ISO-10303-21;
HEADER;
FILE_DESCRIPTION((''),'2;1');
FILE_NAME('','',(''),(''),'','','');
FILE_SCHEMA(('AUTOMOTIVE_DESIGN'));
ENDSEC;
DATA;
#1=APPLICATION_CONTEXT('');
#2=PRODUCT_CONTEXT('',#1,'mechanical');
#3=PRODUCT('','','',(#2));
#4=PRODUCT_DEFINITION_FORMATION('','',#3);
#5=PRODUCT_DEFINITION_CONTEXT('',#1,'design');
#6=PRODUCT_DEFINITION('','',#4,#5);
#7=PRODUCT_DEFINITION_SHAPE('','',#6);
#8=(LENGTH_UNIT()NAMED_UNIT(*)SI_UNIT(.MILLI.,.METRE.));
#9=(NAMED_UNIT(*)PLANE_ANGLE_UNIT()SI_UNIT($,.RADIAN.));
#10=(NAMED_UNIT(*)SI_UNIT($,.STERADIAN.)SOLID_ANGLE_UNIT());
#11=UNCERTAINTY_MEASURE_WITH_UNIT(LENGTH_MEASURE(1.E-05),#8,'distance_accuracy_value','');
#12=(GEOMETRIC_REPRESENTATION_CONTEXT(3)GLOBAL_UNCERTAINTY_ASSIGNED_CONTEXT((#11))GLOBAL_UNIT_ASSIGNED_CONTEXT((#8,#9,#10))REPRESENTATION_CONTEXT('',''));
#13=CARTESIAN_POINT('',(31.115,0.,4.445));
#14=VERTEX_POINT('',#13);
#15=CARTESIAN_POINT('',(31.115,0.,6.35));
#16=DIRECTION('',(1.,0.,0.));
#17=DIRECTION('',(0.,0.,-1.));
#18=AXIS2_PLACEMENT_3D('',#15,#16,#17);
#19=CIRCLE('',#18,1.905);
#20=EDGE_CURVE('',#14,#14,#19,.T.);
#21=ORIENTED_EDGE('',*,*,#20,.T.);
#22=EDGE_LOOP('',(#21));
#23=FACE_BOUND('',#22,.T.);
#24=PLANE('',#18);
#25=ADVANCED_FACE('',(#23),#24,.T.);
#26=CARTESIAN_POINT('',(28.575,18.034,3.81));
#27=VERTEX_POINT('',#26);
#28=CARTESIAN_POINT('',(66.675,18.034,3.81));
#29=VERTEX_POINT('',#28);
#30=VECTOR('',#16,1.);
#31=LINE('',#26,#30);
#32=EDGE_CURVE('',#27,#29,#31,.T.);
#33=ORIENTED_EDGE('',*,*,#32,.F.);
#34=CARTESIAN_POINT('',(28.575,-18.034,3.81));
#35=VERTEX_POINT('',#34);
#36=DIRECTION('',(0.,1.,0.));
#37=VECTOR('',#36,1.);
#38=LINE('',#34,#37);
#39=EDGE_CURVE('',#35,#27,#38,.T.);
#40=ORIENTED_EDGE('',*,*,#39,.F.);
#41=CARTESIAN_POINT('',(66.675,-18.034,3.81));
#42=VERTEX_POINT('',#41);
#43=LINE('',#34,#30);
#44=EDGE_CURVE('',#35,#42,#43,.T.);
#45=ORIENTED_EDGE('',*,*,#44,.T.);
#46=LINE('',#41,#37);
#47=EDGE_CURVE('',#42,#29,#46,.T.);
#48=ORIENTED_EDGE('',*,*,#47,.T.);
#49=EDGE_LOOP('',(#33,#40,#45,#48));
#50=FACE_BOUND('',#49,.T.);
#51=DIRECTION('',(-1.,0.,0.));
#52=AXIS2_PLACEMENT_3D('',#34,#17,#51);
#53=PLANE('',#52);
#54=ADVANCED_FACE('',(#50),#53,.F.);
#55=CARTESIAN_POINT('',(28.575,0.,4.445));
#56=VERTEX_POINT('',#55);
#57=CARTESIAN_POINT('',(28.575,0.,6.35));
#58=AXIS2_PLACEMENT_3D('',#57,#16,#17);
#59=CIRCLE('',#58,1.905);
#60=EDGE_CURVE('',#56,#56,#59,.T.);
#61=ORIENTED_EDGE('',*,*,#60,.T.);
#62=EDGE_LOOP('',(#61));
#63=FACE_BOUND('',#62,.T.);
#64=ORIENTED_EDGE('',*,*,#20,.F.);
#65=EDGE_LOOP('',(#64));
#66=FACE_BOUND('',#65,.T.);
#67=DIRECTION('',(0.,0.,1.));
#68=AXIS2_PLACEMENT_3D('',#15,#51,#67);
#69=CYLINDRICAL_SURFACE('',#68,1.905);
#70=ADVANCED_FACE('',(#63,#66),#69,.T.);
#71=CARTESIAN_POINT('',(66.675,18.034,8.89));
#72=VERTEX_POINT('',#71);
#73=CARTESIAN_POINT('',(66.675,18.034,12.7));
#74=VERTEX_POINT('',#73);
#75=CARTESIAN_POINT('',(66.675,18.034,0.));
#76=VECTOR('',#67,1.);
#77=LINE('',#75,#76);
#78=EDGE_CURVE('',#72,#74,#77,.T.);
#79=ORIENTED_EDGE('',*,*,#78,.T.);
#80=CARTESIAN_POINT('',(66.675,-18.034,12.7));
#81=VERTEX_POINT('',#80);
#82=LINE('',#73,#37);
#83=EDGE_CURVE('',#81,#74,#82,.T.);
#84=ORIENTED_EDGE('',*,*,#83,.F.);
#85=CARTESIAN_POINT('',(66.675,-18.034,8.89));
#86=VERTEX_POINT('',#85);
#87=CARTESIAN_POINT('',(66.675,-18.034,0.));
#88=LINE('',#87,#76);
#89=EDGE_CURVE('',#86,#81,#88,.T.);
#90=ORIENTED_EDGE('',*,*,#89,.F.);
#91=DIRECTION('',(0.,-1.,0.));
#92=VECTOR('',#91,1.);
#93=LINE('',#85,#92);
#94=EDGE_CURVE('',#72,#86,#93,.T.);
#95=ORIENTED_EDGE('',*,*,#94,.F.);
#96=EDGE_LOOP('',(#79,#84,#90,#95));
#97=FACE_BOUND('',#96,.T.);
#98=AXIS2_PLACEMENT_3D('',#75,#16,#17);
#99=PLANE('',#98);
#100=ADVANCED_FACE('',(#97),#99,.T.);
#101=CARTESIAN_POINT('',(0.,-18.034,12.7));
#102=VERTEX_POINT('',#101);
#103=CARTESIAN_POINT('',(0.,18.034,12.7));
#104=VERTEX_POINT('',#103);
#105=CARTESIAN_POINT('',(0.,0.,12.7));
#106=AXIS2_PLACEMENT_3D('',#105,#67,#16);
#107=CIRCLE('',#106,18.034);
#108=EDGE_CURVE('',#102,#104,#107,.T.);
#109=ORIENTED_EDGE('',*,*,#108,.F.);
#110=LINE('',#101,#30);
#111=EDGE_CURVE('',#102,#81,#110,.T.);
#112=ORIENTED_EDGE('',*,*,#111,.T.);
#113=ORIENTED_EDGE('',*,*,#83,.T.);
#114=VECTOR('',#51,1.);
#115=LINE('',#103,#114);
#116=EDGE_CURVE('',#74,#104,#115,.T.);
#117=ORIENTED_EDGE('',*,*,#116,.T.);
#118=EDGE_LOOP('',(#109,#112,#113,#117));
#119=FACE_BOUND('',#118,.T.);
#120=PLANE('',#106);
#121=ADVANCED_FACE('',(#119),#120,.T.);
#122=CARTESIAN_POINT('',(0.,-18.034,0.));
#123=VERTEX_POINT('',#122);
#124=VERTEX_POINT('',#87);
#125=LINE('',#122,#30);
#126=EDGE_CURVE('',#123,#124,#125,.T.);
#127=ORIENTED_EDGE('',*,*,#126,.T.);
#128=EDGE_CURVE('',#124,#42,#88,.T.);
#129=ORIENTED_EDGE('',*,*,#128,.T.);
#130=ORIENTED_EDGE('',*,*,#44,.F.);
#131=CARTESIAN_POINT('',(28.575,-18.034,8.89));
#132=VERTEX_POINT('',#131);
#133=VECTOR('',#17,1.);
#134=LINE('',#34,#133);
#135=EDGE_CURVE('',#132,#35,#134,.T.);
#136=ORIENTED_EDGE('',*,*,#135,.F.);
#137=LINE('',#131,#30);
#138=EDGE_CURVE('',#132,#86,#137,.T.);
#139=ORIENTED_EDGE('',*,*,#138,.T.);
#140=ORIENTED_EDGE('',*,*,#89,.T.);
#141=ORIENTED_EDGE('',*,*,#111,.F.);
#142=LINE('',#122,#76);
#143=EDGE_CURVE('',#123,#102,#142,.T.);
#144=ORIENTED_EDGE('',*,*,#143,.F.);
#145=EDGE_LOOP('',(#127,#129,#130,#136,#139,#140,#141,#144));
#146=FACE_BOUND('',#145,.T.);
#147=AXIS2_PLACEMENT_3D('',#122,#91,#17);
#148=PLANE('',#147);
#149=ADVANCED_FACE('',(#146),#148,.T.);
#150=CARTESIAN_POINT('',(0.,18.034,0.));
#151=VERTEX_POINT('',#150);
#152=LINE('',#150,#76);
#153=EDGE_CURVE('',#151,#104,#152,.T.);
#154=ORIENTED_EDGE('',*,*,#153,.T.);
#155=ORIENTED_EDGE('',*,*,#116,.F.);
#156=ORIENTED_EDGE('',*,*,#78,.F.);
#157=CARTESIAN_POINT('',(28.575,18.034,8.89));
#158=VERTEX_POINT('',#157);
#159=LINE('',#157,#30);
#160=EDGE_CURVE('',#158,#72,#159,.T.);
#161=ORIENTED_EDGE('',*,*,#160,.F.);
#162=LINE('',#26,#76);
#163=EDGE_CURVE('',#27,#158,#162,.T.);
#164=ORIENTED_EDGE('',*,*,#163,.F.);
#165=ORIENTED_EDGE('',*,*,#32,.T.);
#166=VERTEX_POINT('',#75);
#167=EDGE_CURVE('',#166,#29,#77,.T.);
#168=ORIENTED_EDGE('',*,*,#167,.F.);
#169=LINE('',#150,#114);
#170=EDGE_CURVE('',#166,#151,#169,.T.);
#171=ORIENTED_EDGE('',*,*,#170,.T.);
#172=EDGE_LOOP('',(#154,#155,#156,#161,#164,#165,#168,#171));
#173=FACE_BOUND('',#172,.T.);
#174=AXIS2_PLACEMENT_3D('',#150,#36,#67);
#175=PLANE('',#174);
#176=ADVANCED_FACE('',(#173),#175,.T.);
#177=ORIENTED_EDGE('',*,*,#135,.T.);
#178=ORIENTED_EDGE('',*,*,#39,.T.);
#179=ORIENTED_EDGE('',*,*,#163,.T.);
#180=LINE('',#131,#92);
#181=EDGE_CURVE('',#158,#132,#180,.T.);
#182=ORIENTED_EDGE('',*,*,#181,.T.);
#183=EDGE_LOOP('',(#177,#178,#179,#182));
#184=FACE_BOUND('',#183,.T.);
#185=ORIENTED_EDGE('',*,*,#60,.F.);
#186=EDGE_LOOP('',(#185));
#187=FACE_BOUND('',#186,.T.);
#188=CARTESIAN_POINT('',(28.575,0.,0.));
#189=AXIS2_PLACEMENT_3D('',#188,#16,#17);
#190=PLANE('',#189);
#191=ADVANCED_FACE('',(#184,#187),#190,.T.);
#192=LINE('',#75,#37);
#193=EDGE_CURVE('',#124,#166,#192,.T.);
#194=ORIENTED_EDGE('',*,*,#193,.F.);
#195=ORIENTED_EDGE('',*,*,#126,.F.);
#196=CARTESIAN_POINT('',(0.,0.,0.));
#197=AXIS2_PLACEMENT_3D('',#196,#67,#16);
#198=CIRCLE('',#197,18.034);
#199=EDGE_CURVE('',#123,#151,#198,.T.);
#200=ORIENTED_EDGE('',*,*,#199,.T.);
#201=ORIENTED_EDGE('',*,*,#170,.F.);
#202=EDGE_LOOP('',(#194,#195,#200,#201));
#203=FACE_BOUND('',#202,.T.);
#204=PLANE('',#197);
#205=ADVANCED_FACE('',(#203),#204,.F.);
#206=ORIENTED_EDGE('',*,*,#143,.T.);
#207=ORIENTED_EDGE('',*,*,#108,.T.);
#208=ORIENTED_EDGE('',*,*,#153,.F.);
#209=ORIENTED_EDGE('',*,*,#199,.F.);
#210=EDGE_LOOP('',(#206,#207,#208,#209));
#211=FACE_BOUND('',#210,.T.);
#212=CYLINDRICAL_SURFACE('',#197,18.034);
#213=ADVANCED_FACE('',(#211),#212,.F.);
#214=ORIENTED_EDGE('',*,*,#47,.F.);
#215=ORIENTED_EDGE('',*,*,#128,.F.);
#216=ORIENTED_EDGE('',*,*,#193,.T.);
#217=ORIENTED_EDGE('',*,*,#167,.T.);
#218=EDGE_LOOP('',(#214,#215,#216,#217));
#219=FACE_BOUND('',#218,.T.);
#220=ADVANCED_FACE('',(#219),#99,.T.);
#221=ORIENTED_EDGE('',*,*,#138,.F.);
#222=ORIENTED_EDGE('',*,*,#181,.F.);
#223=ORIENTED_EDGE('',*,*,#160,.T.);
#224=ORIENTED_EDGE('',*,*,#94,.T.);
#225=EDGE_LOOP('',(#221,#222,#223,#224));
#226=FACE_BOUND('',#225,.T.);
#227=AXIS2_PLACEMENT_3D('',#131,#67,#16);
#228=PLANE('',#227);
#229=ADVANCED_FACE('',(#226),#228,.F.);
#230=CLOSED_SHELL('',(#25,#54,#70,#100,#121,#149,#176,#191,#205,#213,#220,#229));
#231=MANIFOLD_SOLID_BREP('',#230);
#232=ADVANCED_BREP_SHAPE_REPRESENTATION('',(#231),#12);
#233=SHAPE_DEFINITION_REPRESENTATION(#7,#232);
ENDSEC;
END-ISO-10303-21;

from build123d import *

# Parameters (mm, degrees)
SKETCH1_R                = 19.939
CIRCLE_EXTRUDE_DEPTH     = 12.7
SKETCH3_W                = 12.7
SKETCH3_H                = 39.878
RECTANGLE_EXTRUDE_DEPTH  = 68.58
SKETCH2_R                = 18.034
CRICLE_CUT_DEPTH         = 73.54012766
SKETCH4_OUTSIDE_W        = 110.101
SKETCH4_OUTSIDE_H        = 61.46
SKETCH4_OUTSIDE_W_2      = 66.675
SKETCH4_OUTSIDE_H_2      = 36.068
FRAME_CUT_DEPTH          = 73.54012766
SKETCH13_W               = 5.08
SKETCH13_H               = 36.068
BACK_CUT_DEPTH           = 38.1
SKETCH14_R               = 1.905
FOR_SPRING_EXTRUDE_DEPTH = 2.54


with BuildPart() as part:
    # Sketch1 → circle extrude (new body)
    with BuildSketch(Plane.XY):
        Circle(SKETCH1_R)
    extrude(amount=CIRCLE_EXTRUDE_DEPTH)

    # Sketch3 → rectangle extrude (add)
    with BuildSketch(Plane(origin=(0, 0, 0), x_dir=(0, 0, -1), z_dir=(1, 0, 0))):
        with Locations((-6.35, 0)):
            Rectangle(SKETCH3_W, SKETCH3_H)
    extrude(amount=RECTANGLE_EXTRUDE_DEPTH)

    # Sketch2 → cricle cut (cut, through all)
    with BuildSketch(Plane.XY.offset(12.7)):
        Circle(SKETCH2_R)
    extrude(amount=-CRICLE_CUT_DEPTH, mode=Mode.SUBTRACT)

    # Sketch4 outside → frame cut (cut, through all)
    with BuildSketch(Plane.XY.offset(12.7)):
        with Locations((24.3205, 0)):
            Rectangle(SKETCH4_OUTSIDE_W, SKETCH4_OUTSIDE_H)
        with Locations((33.3375, 0)):
            Rectangle(SKETCH4_OUTSIDE_W_2, SKETCH4_OUTSIDE_H_2, mode=Mode.SUBTRACT)
    extrude(amount=-FRAME_CUT_DEPTH, mode=Mode.SUBTRACT)

    # Sketch13 → back cut (cut)
    with BuildSketch(Plane(origin=(66.675, 0, 0), x_dir=(0, 0, -1), z_dir=(1, 0, 0))):
        with Locations((-6.35, 0)):
            Rectangle(SKETCH13_W, SKETCH13_H)
    extrude(amount=-BACK_CUT_DEPTH, mode=Mode.SUBTRACT)

    # Sketch14 → for spring extrude (add)
    with BuildSketch(Plane(origin=(28.575, 0, 0), x_dir=(0, 0, -1), z_dir=(1, 0, 0))):
        with Locations((-6.35, 0)):
            Circle(SKETCH14_R)
    extrude(amount=FOR_SPRING_EXTRUDE_DEPTH)


solid = part.part
